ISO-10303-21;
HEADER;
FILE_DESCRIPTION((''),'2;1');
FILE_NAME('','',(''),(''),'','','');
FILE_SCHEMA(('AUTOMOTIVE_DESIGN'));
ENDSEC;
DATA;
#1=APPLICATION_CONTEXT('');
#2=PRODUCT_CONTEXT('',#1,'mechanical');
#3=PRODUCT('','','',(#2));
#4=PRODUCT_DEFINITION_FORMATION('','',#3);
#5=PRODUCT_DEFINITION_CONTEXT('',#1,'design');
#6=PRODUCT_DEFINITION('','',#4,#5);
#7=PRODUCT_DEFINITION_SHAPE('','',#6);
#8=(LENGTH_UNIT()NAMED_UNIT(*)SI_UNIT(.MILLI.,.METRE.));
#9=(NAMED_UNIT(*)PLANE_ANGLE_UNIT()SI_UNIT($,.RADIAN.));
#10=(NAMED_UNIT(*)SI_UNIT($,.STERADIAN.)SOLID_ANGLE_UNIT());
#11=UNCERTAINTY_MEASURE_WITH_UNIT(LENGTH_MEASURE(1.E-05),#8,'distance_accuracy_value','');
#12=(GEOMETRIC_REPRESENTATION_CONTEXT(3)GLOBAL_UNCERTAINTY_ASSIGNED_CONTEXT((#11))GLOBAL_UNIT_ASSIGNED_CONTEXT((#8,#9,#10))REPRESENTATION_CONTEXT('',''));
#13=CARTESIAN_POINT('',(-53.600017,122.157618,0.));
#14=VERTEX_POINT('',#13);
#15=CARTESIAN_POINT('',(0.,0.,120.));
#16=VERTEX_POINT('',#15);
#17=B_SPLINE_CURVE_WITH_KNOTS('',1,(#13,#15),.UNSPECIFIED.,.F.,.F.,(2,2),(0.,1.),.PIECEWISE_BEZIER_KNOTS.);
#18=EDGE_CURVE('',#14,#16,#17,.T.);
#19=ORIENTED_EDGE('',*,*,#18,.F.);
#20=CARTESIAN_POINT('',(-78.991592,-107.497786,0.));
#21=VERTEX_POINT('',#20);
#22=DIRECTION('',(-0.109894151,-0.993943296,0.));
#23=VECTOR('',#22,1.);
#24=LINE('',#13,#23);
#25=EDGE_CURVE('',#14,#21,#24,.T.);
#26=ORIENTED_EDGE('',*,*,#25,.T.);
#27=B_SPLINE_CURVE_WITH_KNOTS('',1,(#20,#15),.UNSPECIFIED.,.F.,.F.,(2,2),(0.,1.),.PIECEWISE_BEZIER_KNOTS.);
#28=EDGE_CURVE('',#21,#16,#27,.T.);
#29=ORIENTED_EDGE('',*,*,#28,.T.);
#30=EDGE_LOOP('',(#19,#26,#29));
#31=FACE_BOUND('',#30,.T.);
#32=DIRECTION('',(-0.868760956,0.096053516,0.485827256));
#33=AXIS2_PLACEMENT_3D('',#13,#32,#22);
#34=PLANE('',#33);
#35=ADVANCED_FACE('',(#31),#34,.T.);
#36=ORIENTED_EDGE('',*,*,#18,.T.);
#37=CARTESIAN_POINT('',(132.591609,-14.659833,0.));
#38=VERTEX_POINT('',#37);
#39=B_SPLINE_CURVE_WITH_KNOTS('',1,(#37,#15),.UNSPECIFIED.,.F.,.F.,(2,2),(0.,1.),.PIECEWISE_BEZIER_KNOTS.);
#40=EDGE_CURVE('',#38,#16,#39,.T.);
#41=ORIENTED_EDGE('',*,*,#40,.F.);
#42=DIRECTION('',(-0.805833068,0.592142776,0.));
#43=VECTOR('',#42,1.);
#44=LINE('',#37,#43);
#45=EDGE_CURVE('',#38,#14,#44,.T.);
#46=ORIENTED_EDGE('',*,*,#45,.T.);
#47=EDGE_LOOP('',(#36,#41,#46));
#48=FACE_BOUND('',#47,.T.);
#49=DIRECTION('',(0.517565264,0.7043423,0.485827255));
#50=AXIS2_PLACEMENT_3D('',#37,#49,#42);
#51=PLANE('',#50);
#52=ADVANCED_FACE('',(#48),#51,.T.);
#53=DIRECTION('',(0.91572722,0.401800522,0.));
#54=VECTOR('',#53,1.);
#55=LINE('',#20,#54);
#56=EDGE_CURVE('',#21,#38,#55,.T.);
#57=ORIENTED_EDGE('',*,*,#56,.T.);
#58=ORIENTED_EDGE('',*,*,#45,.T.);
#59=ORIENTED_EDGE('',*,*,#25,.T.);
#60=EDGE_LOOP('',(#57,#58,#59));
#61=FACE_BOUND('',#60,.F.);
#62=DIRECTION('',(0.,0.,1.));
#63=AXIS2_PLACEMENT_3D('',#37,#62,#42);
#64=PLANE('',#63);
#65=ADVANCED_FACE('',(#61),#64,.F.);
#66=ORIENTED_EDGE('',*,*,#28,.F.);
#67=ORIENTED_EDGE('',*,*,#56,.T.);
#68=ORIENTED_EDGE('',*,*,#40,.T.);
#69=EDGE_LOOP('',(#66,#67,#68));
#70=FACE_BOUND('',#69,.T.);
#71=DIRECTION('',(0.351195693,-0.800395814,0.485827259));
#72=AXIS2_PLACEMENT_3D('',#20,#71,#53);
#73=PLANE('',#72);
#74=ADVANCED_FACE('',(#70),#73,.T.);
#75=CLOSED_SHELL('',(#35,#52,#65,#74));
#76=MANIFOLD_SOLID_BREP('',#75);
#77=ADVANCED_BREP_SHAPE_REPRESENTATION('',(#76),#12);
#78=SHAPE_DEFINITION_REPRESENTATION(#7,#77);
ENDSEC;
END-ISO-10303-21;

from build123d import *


with BuildPart() as f3:
    # F0 (on Top) → F3 section 0
    with BuildSketch(Plane.XY, mode=Mode.PRIVATE) as f3_s0:
        Polygon((132.591609, -14.659833), (-53.600017, 122.157618), (-78.991592, -107.497786), align=None)
    loft([f3_s0.sketch, Vertex(0, 0, 120)])


solid = f3.part
